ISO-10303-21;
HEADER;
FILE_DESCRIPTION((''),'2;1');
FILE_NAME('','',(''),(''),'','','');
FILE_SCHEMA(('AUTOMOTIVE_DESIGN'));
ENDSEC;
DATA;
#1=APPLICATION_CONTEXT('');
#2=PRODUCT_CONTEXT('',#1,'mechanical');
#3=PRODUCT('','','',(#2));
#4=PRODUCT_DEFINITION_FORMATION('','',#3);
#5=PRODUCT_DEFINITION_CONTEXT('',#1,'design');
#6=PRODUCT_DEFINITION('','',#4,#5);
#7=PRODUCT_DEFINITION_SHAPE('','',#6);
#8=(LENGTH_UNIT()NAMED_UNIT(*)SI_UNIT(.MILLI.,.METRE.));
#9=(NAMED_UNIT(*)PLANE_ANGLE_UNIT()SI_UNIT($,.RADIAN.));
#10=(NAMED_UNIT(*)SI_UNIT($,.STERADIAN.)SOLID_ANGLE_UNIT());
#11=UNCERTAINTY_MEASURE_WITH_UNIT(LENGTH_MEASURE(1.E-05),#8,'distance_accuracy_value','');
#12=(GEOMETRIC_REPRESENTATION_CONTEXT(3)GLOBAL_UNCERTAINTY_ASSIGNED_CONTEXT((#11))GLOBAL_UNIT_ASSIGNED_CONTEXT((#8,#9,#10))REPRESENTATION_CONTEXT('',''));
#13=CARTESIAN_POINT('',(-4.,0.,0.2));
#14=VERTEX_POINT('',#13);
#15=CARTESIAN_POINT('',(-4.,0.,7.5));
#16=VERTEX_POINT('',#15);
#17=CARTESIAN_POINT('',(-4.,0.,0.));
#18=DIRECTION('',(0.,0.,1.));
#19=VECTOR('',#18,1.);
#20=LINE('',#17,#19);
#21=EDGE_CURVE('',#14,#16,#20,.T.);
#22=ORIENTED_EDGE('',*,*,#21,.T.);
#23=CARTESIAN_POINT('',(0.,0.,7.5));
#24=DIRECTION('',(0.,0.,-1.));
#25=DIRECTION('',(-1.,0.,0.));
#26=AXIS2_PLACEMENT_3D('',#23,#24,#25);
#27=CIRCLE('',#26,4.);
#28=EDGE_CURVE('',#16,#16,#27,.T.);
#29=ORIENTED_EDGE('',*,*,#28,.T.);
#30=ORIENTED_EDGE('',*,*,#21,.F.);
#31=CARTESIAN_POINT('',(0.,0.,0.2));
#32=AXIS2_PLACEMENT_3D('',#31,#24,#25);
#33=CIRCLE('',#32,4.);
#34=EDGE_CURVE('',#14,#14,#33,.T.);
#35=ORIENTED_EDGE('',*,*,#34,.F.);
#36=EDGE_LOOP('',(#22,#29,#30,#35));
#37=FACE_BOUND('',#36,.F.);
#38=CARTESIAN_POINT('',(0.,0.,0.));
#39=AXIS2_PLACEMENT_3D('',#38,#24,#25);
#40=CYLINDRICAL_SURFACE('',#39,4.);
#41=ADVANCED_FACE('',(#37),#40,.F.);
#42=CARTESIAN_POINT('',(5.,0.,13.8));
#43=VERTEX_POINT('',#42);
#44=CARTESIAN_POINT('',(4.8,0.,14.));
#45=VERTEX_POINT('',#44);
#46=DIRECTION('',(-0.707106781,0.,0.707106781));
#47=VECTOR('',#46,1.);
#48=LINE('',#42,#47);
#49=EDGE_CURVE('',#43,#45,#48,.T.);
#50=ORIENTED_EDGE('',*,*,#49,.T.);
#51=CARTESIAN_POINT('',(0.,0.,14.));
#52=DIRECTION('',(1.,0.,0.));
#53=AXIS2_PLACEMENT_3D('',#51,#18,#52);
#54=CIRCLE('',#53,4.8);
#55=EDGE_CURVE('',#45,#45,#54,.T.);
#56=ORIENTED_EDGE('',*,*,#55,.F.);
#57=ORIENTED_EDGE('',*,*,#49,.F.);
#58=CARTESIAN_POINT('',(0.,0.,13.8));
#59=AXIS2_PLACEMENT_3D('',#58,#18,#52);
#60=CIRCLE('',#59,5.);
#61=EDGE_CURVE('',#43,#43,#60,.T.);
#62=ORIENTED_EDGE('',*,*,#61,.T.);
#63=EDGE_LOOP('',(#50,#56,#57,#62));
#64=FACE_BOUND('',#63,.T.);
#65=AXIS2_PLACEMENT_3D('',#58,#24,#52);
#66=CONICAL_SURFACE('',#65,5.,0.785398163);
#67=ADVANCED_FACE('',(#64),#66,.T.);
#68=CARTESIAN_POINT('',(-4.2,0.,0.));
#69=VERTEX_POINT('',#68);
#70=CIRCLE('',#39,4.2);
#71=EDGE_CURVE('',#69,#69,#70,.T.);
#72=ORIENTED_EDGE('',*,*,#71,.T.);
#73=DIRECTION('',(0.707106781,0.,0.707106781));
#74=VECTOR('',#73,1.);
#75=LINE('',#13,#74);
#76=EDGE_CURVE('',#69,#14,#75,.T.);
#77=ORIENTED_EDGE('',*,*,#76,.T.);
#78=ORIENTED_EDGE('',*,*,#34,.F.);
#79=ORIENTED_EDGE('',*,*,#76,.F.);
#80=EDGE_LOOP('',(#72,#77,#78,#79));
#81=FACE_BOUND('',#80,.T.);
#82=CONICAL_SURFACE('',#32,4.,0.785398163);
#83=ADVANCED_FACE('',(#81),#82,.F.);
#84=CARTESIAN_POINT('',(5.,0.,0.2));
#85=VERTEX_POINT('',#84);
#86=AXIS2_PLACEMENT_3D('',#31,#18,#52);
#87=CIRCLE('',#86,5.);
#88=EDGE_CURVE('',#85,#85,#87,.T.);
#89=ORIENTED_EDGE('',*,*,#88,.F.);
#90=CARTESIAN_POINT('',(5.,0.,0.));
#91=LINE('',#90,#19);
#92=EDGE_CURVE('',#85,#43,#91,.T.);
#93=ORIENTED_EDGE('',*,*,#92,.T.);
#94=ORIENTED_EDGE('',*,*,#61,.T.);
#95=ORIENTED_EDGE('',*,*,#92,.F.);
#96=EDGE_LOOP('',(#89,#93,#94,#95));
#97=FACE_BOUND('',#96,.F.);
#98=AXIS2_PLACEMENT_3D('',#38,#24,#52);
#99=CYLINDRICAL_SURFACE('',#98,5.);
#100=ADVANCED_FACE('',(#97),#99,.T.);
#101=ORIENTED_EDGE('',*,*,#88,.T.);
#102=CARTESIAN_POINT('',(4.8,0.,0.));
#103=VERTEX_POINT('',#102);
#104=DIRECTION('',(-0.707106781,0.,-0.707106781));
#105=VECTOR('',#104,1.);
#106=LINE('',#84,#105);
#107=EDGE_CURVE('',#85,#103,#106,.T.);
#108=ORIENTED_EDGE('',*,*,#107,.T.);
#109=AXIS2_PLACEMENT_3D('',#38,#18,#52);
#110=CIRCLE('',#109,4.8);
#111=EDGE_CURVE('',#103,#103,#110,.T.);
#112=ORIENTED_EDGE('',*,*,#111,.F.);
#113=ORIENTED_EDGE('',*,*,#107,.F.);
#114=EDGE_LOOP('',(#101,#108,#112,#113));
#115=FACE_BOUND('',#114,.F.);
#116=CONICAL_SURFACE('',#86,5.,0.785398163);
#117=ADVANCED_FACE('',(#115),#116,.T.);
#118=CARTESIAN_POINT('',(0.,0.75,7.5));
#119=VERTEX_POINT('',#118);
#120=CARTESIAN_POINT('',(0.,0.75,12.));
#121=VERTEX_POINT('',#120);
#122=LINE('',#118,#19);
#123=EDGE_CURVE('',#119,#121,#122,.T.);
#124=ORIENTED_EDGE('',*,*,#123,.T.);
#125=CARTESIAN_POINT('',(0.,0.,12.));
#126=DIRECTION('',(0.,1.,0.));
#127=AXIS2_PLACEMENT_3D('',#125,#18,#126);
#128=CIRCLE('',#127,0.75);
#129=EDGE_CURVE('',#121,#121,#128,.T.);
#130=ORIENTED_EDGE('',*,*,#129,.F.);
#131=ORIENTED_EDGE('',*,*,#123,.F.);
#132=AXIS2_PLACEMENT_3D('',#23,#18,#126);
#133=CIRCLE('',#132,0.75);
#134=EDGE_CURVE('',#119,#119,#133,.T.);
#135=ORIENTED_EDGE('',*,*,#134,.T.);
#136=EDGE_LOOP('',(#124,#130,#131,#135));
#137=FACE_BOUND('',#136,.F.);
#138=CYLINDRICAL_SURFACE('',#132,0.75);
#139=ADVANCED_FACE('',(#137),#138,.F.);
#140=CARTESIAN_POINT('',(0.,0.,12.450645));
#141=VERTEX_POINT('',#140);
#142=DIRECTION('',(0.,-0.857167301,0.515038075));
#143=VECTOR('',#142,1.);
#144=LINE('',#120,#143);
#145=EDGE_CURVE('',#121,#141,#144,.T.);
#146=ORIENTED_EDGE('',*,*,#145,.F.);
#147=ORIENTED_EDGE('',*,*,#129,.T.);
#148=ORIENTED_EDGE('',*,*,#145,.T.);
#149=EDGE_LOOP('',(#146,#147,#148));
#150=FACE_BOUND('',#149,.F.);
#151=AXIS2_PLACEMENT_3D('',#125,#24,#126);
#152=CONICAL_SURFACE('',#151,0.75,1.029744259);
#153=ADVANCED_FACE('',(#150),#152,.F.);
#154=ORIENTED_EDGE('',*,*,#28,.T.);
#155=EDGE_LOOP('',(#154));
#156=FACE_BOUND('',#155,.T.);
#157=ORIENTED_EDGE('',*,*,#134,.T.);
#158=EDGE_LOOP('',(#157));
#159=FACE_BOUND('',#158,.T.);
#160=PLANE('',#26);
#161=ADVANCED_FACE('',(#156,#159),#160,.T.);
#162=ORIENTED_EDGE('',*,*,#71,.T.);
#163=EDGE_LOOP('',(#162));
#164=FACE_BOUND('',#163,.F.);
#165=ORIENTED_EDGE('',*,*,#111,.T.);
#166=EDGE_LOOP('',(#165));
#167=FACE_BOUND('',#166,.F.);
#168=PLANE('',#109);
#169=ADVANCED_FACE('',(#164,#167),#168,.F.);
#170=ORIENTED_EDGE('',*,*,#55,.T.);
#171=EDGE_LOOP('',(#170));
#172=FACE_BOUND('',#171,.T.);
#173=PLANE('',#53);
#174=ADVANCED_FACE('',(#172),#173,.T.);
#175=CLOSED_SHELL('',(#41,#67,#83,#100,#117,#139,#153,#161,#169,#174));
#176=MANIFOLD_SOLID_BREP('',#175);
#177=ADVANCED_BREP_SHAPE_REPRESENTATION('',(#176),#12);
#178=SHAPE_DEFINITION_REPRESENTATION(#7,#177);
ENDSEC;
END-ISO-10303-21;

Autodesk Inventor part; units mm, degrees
ref_plane "YZ Plane" through (0, 0, 0) normal (1, 0, 0) x (0, 1, 0)
ref_plane "XZ Plane" through (0, 0, 0) normal (0, 1, 0) x (-1, 0, 0)
sketch "Skizze1" plane through (0, 0, 0) normal (0, 0, 1) x (1, 0, 0)
  circle A0 centre (0, 0) radius 5
  dimension "d0" = 10
extrude "Extrusion1" add sketch "Skizze1" along normal blind 14
sketch "Skizze2" plane through (0, 0, 0) normal (0, 0, -1) x (-1, 0, 0)
  circle A0 centre (0, 0) radius 4
  dimension "d3" = 8
extrude "Extrusion2" cut sketch "Skizze2" against normal blind 7.5
ref_plane "Arbeitsebene1" through (0, 0, 7.5) normal (0, 0, 1) x (1, 0, 0)
sketch "Skizze3" plane through (0, 0, 7.5) normal (0, 0, 1) x (1, 0, 0)
  point P0 (0, 0)
  point P1 (0, 0)
hole "Bohrung1" at (0, 0, 7.5) direction (0, 0, 1) diameter 1.5 depth 4.5 tip angle 118
chamfer "Fasen1" distance 0.2 angle 45 3 edges at (4, 0, 0) (-5, 0, 0) (-5, 0, 14)
properties part number "Arbeitskolben" material "Bronze, Guss"
